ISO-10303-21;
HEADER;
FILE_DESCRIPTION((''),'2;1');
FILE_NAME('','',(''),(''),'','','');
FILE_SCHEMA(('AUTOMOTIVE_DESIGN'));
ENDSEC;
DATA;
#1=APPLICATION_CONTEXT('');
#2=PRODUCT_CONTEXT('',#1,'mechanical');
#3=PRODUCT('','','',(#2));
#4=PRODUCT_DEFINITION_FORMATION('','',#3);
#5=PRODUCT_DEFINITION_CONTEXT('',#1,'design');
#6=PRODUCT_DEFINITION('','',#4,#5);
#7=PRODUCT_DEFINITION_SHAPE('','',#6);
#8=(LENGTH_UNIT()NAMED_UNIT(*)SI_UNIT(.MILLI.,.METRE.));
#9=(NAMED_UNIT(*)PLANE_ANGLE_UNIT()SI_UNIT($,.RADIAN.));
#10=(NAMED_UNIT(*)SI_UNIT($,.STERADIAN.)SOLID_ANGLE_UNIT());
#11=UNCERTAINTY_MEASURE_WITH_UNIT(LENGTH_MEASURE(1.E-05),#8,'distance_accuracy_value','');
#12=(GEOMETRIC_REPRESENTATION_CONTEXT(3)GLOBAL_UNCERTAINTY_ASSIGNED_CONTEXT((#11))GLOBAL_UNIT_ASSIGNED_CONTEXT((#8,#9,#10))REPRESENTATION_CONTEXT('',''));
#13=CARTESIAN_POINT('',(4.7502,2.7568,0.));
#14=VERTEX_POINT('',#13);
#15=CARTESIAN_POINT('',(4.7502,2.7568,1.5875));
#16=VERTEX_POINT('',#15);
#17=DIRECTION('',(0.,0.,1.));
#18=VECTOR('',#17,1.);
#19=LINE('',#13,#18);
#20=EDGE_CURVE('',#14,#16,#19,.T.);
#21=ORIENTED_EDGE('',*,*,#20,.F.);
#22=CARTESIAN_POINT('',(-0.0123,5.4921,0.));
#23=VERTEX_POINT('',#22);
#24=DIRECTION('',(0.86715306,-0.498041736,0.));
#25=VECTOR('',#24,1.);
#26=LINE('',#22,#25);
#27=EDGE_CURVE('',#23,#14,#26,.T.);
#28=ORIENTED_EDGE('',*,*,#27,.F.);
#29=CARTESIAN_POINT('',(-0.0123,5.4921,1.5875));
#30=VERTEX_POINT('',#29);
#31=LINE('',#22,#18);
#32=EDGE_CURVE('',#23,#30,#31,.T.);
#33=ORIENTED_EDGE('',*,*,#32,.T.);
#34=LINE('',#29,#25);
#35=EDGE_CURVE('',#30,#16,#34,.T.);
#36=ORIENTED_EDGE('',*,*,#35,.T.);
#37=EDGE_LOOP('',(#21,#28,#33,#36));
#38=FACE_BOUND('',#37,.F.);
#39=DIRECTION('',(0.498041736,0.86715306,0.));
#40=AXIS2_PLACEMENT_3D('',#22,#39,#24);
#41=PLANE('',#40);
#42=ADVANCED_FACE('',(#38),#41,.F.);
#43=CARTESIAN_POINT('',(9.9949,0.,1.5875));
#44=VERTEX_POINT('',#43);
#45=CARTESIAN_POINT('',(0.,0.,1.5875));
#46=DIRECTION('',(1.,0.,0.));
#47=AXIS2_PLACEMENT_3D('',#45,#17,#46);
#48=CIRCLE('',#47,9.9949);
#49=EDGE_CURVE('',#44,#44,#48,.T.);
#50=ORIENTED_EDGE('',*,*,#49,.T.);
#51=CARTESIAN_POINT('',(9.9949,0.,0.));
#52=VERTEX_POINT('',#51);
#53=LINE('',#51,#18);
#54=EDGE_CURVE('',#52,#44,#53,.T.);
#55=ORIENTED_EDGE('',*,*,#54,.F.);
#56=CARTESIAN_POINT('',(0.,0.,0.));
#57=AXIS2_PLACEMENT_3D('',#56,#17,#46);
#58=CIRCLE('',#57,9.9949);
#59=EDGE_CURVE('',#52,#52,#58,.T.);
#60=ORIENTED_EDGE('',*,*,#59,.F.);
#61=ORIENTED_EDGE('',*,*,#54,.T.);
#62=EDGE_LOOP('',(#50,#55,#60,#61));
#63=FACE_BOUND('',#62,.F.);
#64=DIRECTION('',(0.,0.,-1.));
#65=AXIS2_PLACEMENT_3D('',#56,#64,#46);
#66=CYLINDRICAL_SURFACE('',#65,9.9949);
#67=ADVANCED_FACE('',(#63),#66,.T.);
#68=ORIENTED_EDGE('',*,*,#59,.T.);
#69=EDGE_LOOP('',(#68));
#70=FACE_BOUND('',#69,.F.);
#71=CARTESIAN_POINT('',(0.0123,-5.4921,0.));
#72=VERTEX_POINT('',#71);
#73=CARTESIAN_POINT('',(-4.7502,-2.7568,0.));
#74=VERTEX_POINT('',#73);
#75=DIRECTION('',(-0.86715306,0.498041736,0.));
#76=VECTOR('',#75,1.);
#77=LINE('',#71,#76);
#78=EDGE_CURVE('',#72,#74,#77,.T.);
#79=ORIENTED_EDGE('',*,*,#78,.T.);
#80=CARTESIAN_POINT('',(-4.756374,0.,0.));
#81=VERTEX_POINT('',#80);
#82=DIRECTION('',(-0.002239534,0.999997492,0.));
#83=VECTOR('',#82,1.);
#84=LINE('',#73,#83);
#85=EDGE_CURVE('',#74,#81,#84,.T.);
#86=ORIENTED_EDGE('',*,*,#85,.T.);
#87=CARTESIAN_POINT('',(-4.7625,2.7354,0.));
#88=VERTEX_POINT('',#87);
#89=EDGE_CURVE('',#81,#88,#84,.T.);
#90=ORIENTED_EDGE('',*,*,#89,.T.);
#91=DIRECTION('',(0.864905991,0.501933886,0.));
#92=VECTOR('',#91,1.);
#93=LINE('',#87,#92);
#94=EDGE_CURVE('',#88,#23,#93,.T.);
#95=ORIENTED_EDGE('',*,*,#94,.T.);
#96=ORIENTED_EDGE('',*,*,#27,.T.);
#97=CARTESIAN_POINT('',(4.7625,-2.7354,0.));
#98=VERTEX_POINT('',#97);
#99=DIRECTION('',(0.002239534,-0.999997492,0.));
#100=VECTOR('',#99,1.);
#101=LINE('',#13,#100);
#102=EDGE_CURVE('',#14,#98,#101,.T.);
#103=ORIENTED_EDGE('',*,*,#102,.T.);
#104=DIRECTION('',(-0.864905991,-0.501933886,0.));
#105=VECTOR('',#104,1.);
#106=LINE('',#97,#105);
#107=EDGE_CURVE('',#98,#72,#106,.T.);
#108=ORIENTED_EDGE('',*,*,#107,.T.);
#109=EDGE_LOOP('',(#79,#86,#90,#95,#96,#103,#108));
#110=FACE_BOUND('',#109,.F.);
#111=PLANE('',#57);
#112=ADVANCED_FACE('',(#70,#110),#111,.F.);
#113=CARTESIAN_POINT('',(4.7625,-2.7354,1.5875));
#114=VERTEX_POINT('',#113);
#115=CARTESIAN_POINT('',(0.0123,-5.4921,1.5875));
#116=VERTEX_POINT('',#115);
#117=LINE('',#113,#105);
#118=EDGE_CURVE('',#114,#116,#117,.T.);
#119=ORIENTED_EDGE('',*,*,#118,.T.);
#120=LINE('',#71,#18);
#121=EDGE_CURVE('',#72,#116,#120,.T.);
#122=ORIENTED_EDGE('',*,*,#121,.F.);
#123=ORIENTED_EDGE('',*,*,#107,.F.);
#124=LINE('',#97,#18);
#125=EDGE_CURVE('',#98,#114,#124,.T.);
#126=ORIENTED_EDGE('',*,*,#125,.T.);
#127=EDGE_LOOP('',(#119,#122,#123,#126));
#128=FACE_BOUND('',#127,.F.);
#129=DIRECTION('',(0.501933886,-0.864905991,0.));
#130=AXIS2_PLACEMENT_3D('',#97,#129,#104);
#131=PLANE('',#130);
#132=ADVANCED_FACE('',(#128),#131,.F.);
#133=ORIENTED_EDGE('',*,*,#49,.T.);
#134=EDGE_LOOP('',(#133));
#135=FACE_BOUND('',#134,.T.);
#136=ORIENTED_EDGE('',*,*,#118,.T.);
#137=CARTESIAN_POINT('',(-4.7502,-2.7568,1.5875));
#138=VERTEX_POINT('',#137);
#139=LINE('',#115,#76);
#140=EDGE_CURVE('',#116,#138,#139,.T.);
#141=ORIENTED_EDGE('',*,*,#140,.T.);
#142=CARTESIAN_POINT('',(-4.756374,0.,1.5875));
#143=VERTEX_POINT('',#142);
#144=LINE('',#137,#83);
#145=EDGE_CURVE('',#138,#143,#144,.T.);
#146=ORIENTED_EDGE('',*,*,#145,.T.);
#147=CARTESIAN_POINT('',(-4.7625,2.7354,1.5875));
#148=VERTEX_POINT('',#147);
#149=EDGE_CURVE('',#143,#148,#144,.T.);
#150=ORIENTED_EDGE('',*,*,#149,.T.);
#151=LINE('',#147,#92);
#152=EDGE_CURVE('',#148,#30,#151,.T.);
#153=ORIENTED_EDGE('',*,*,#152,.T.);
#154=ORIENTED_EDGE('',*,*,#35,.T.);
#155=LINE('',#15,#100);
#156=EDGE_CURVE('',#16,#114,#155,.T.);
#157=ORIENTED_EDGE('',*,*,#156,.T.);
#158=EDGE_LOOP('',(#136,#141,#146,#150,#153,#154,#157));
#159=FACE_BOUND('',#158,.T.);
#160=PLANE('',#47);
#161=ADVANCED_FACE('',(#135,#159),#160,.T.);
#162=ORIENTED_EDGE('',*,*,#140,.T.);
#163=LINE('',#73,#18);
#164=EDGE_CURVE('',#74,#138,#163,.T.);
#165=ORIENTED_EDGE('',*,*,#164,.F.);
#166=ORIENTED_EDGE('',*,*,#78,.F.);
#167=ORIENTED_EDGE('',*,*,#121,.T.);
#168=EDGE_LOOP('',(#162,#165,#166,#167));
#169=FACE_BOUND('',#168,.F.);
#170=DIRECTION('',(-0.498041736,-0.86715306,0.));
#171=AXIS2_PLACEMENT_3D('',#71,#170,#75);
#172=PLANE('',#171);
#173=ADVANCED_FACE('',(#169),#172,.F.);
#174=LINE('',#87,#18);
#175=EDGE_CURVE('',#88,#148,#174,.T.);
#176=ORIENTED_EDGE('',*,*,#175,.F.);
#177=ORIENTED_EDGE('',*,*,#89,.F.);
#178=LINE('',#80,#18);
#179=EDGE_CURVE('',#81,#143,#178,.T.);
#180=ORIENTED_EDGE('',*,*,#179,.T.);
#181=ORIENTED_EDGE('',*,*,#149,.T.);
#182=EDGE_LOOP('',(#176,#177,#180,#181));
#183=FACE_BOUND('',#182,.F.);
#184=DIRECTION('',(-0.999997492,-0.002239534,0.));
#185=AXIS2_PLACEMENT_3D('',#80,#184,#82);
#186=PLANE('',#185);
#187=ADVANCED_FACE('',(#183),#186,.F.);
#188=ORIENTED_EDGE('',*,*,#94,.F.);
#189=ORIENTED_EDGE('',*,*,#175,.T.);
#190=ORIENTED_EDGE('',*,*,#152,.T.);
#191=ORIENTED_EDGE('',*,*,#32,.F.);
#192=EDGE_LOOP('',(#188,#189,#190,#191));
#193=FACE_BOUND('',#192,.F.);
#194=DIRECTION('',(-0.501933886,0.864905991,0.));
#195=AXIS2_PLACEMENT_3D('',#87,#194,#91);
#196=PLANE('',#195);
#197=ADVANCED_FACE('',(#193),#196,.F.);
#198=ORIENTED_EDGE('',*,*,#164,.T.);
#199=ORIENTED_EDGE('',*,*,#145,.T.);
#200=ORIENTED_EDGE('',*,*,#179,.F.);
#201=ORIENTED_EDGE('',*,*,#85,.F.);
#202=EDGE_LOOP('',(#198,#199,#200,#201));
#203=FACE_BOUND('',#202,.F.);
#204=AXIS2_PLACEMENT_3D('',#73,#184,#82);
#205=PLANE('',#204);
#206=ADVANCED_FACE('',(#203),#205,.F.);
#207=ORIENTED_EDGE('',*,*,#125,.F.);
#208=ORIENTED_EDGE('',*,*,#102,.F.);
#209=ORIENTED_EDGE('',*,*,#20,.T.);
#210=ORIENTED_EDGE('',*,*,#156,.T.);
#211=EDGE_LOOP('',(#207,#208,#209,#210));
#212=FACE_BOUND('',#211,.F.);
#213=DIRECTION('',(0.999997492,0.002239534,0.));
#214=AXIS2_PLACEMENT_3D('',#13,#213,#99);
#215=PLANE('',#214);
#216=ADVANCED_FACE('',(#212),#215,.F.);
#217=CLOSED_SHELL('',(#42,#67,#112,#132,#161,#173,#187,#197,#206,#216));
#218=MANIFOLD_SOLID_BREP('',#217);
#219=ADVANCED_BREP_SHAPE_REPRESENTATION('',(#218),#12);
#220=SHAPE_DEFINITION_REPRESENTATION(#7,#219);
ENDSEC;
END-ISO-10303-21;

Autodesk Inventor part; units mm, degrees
ref_plane "YZ Plane" through (0, 0, 0) normal (1, 0, 0) x (0, 1, 0)
ref_plane "XZ Plane" through (0, 0, 0) normal (0, 1, 0) x (-1, 0, 0)
ref_plane "XY Plane" through (0, 0, 0) normal (0, 0, 1) x (1, 0, 0)
sketch "Sketch1" plane through (0, 0, 0) normal (0, 0, 1) x (1, 0, 0)
  circle A0 centre (0, 0) radius 9.9949
  line L0 (0, 0) -> (-4.7625, 0)
  line L1 (-4.7625, 2.7354) -> (-0.0123, 5.4921)
  line L2 (-0.0123, 5.4921) -> (4.7502, 2.7568)
  line L3 (4.7502, 2.7568) -> (4.7625, -2.7354)
  line L4 (4.7625, -2.7354) -> (0.0123, -5.4921)
  line L5 (0.0123, -5.4921) -> (-4.7502, -2.7568)
  line L6 (-4.7502, -2.7568) -> (-4.7625, 2.7354)
  dimension "d1" = 19.9898
  dimension "d4" = 4.7625
extrude "Extrusion2" add sketch "Sketch1" along normal blind 1.5875
properties part number "Spacer 1 16 in"
